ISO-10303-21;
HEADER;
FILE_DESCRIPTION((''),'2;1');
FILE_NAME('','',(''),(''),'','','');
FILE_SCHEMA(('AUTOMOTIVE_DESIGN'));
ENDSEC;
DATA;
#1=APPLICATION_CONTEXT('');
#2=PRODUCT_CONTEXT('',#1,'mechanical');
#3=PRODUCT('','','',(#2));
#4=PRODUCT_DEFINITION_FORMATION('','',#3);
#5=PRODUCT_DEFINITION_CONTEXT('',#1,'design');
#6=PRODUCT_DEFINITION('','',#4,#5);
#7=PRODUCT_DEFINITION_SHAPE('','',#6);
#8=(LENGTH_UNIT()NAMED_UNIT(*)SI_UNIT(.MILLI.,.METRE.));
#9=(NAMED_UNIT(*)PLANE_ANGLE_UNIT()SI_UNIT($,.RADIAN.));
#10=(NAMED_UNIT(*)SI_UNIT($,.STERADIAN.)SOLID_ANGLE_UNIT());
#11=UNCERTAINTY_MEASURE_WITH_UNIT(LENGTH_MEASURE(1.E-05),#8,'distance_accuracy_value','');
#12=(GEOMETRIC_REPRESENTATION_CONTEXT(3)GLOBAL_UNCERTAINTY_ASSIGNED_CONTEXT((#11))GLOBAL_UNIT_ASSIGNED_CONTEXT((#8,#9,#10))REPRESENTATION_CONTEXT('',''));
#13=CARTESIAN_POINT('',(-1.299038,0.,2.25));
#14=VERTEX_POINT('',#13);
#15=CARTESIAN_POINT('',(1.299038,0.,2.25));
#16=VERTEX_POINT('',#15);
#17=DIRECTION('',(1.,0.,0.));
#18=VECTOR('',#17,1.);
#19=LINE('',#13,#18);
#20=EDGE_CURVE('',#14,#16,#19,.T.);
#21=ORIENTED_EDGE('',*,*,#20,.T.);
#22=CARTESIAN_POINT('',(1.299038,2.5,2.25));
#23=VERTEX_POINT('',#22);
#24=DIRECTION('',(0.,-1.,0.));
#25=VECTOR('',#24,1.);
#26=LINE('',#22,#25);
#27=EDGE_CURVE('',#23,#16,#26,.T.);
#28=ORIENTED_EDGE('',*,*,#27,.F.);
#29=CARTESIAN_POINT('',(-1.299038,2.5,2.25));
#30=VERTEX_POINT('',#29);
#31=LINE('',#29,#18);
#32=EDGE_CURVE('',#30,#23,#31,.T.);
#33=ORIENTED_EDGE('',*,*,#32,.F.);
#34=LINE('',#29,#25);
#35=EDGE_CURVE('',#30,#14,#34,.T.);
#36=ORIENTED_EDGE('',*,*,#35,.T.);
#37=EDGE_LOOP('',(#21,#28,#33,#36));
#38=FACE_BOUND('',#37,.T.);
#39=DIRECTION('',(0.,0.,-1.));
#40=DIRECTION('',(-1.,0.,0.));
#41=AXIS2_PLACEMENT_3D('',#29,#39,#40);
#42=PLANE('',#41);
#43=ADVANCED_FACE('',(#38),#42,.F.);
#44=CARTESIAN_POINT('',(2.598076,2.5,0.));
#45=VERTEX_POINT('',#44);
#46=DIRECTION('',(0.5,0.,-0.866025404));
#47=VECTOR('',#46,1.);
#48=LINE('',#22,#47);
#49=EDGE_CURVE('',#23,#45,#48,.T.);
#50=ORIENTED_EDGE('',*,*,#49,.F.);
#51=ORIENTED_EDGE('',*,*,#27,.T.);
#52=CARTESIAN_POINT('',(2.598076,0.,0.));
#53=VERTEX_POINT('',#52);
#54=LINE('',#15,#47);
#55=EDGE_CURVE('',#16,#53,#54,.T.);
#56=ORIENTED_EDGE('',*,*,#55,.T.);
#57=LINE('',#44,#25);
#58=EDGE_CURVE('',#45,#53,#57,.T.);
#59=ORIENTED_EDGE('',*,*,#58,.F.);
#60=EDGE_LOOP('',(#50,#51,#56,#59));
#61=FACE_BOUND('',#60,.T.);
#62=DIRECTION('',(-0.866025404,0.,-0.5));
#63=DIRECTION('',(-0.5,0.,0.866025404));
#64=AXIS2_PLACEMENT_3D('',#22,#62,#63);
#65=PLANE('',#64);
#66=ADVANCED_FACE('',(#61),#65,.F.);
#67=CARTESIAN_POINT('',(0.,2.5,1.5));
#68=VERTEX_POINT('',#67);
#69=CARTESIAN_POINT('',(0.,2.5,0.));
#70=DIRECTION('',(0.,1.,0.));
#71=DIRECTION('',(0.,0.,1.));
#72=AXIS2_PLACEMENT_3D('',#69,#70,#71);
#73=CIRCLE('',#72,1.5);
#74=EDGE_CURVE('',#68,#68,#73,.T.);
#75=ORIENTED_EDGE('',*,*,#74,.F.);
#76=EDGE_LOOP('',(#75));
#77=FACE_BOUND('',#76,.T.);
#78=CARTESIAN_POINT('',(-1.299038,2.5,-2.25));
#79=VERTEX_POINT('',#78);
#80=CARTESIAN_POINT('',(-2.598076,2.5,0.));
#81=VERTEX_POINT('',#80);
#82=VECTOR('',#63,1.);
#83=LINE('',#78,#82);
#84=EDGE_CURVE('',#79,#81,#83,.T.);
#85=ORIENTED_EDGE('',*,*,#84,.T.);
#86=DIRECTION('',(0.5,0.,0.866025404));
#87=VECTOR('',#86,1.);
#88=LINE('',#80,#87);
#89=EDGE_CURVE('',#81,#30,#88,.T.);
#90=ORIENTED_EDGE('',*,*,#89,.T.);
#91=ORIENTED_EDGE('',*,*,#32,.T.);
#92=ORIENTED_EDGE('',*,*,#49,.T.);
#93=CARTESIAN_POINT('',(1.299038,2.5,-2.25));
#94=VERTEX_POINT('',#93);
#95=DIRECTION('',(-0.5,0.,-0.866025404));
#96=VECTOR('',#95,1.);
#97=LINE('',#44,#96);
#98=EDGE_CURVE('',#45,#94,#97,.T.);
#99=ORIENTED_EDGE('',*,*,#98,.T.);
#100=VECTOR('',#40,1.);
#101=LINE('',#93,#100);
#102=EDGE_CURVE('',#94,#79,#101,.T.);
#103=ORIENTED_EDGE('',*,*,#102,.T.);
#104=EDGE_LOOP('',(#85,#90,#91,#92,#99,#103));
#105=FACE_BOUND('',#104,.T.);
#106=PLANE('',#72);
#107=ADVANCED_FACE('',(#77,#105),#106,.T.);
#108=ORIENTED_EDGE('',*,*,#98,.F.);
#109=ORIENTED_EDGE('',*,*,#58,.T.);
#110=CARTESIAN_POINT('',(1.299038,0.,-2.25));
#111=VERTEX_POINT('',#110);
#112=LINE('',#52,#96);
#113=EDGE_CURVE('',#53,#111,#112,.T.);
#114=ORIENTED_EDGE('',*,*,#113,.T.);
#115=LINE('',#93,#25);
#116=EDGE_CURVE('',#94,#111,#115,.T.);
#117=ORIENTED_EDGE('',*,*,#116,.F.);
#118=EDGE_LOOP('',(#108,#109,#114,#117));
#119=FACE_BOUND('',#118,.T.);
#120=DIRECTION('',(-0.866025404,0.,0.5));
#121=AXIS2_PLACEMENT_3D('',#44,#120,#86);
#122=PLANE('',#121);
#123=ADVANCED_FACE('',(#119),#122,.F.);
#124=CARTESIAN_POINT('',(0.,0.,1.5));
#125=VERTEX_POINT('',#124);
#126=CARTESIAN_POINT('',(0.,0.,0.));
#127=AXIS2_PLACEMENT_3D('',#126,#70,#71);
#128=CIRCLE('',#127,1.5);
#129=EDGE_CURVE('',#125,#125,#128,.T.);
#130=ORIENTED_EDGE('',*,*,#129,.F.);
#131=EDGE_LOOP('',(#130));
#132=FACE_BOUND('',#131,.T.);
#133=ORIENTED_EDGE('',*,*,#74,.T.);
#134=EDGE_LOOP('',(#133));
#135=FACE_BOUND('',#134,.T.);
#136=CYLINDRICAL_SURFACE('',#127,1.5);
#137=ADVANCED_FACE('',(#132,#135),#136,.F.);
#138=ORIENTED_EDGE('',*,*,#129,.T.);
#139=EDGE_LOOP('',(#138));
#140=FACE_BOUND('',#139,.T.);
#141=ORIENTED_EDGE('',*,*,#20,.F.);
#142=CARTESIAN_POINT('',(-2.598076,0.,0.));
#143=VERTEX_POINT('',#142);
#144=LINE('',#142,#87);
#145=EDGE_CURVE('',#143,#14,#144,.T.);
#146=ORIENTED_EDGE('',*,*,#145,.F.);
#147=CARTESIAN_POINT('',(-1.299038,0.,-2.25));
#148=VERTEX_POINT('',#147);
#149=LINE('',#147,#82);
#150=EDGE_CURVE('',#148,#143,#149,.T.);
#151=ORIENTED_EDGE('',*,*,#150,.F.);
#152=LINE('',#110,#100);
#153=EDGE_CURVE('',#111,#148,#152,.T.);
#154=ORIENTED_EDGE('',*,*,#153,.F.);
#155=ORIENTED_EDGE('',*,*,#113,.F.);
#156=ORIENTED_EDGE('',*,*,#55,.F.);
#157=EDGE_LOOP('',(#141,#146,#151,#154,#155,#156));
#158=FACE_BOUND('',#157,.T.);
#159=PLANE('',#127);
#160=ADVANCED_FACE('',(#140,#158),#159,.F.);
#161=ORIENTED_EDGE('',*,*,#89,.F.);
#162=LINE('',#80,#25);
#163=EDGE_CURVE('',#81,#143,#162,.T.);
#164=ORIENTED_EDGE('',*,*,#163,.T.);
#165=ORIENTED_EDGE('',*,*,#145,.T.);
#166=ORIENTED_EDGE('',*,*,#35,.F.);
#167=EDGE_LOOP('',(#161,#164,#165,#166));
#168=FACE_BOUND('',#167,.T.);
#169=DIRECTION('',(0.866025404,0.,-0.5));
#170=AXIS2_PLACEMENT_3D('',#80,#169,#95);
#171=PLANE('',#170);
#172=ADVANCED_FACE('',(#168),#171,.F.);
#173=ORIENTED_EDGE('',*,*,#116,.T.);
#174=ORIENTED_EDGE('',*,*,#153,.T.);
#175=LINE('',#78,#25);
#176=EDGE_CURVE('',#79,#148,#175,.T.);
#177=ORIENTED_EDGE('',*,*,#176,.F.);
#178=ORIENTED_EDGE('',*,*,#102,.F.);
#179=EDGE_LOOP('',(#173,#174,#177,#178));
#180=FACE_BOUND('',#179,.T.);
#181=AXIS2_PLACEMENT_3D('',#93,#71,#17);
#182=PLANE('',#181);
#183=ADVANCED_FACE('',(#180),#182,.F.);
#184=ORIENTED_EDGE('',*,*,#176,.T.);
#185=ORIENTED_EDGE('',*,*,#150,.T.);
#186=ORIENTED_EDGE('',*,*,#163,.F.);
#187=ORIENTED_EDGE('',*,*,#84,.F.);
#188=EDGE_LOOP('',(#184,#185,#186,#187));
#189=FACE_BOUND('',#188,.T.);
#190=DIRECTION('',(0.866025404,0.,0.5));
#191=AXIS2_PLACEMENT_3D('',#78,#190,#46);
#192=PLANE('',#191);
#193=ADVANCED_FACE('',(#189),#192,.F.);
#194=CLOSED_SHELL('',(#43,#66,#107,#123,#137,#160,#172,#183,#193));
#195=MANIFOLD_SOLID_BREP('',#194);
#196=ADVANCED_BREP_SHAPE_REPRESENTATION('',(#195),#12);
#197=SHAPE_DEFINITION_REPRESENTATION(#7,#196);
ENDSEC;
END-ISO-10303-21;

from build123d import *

# Parameters (mm, degrees)
BOSS_EXTRUDE1_DEPTH = 2.5
SKETCH2_R           = 1.5
CUT_EXTRUDE1_DEPTH  = 2.5


with BuildPart() as part:
    # Sketch1 → Boss-Extrude1 (new body)
    with BuildSketch(Plane(origin=(0, 0, 0), x_dir=(1, 0, 0), z_dir=(0, 1, 0))):
        Polygon((1.299038106, -2.25), (2.598076211, 0), (1.299038106, 2.25), (-1.299038106, 2.25), (-2.598076211, 0), (-1.299038106, -2.25), align=None)
    extrude(amount=BOSS_EXTRUDE1_DEPTH)

    # Sketch2 → Cut-Extrude1 (cut)
    with BuildSketch(Plane(origin=(0, 2.5, 0), x_dir=(1, 0, 0), z_dir=(0, 1, 0))):
        with Locations(Location((0, 0, 0), (0, 0, 270))):
            Circle(SKETCH2_R)
    extrude(amount=-CUT_EXTRUDE1_DEPTH, mode=Mode.SUBTRACT)


solid = part.part
